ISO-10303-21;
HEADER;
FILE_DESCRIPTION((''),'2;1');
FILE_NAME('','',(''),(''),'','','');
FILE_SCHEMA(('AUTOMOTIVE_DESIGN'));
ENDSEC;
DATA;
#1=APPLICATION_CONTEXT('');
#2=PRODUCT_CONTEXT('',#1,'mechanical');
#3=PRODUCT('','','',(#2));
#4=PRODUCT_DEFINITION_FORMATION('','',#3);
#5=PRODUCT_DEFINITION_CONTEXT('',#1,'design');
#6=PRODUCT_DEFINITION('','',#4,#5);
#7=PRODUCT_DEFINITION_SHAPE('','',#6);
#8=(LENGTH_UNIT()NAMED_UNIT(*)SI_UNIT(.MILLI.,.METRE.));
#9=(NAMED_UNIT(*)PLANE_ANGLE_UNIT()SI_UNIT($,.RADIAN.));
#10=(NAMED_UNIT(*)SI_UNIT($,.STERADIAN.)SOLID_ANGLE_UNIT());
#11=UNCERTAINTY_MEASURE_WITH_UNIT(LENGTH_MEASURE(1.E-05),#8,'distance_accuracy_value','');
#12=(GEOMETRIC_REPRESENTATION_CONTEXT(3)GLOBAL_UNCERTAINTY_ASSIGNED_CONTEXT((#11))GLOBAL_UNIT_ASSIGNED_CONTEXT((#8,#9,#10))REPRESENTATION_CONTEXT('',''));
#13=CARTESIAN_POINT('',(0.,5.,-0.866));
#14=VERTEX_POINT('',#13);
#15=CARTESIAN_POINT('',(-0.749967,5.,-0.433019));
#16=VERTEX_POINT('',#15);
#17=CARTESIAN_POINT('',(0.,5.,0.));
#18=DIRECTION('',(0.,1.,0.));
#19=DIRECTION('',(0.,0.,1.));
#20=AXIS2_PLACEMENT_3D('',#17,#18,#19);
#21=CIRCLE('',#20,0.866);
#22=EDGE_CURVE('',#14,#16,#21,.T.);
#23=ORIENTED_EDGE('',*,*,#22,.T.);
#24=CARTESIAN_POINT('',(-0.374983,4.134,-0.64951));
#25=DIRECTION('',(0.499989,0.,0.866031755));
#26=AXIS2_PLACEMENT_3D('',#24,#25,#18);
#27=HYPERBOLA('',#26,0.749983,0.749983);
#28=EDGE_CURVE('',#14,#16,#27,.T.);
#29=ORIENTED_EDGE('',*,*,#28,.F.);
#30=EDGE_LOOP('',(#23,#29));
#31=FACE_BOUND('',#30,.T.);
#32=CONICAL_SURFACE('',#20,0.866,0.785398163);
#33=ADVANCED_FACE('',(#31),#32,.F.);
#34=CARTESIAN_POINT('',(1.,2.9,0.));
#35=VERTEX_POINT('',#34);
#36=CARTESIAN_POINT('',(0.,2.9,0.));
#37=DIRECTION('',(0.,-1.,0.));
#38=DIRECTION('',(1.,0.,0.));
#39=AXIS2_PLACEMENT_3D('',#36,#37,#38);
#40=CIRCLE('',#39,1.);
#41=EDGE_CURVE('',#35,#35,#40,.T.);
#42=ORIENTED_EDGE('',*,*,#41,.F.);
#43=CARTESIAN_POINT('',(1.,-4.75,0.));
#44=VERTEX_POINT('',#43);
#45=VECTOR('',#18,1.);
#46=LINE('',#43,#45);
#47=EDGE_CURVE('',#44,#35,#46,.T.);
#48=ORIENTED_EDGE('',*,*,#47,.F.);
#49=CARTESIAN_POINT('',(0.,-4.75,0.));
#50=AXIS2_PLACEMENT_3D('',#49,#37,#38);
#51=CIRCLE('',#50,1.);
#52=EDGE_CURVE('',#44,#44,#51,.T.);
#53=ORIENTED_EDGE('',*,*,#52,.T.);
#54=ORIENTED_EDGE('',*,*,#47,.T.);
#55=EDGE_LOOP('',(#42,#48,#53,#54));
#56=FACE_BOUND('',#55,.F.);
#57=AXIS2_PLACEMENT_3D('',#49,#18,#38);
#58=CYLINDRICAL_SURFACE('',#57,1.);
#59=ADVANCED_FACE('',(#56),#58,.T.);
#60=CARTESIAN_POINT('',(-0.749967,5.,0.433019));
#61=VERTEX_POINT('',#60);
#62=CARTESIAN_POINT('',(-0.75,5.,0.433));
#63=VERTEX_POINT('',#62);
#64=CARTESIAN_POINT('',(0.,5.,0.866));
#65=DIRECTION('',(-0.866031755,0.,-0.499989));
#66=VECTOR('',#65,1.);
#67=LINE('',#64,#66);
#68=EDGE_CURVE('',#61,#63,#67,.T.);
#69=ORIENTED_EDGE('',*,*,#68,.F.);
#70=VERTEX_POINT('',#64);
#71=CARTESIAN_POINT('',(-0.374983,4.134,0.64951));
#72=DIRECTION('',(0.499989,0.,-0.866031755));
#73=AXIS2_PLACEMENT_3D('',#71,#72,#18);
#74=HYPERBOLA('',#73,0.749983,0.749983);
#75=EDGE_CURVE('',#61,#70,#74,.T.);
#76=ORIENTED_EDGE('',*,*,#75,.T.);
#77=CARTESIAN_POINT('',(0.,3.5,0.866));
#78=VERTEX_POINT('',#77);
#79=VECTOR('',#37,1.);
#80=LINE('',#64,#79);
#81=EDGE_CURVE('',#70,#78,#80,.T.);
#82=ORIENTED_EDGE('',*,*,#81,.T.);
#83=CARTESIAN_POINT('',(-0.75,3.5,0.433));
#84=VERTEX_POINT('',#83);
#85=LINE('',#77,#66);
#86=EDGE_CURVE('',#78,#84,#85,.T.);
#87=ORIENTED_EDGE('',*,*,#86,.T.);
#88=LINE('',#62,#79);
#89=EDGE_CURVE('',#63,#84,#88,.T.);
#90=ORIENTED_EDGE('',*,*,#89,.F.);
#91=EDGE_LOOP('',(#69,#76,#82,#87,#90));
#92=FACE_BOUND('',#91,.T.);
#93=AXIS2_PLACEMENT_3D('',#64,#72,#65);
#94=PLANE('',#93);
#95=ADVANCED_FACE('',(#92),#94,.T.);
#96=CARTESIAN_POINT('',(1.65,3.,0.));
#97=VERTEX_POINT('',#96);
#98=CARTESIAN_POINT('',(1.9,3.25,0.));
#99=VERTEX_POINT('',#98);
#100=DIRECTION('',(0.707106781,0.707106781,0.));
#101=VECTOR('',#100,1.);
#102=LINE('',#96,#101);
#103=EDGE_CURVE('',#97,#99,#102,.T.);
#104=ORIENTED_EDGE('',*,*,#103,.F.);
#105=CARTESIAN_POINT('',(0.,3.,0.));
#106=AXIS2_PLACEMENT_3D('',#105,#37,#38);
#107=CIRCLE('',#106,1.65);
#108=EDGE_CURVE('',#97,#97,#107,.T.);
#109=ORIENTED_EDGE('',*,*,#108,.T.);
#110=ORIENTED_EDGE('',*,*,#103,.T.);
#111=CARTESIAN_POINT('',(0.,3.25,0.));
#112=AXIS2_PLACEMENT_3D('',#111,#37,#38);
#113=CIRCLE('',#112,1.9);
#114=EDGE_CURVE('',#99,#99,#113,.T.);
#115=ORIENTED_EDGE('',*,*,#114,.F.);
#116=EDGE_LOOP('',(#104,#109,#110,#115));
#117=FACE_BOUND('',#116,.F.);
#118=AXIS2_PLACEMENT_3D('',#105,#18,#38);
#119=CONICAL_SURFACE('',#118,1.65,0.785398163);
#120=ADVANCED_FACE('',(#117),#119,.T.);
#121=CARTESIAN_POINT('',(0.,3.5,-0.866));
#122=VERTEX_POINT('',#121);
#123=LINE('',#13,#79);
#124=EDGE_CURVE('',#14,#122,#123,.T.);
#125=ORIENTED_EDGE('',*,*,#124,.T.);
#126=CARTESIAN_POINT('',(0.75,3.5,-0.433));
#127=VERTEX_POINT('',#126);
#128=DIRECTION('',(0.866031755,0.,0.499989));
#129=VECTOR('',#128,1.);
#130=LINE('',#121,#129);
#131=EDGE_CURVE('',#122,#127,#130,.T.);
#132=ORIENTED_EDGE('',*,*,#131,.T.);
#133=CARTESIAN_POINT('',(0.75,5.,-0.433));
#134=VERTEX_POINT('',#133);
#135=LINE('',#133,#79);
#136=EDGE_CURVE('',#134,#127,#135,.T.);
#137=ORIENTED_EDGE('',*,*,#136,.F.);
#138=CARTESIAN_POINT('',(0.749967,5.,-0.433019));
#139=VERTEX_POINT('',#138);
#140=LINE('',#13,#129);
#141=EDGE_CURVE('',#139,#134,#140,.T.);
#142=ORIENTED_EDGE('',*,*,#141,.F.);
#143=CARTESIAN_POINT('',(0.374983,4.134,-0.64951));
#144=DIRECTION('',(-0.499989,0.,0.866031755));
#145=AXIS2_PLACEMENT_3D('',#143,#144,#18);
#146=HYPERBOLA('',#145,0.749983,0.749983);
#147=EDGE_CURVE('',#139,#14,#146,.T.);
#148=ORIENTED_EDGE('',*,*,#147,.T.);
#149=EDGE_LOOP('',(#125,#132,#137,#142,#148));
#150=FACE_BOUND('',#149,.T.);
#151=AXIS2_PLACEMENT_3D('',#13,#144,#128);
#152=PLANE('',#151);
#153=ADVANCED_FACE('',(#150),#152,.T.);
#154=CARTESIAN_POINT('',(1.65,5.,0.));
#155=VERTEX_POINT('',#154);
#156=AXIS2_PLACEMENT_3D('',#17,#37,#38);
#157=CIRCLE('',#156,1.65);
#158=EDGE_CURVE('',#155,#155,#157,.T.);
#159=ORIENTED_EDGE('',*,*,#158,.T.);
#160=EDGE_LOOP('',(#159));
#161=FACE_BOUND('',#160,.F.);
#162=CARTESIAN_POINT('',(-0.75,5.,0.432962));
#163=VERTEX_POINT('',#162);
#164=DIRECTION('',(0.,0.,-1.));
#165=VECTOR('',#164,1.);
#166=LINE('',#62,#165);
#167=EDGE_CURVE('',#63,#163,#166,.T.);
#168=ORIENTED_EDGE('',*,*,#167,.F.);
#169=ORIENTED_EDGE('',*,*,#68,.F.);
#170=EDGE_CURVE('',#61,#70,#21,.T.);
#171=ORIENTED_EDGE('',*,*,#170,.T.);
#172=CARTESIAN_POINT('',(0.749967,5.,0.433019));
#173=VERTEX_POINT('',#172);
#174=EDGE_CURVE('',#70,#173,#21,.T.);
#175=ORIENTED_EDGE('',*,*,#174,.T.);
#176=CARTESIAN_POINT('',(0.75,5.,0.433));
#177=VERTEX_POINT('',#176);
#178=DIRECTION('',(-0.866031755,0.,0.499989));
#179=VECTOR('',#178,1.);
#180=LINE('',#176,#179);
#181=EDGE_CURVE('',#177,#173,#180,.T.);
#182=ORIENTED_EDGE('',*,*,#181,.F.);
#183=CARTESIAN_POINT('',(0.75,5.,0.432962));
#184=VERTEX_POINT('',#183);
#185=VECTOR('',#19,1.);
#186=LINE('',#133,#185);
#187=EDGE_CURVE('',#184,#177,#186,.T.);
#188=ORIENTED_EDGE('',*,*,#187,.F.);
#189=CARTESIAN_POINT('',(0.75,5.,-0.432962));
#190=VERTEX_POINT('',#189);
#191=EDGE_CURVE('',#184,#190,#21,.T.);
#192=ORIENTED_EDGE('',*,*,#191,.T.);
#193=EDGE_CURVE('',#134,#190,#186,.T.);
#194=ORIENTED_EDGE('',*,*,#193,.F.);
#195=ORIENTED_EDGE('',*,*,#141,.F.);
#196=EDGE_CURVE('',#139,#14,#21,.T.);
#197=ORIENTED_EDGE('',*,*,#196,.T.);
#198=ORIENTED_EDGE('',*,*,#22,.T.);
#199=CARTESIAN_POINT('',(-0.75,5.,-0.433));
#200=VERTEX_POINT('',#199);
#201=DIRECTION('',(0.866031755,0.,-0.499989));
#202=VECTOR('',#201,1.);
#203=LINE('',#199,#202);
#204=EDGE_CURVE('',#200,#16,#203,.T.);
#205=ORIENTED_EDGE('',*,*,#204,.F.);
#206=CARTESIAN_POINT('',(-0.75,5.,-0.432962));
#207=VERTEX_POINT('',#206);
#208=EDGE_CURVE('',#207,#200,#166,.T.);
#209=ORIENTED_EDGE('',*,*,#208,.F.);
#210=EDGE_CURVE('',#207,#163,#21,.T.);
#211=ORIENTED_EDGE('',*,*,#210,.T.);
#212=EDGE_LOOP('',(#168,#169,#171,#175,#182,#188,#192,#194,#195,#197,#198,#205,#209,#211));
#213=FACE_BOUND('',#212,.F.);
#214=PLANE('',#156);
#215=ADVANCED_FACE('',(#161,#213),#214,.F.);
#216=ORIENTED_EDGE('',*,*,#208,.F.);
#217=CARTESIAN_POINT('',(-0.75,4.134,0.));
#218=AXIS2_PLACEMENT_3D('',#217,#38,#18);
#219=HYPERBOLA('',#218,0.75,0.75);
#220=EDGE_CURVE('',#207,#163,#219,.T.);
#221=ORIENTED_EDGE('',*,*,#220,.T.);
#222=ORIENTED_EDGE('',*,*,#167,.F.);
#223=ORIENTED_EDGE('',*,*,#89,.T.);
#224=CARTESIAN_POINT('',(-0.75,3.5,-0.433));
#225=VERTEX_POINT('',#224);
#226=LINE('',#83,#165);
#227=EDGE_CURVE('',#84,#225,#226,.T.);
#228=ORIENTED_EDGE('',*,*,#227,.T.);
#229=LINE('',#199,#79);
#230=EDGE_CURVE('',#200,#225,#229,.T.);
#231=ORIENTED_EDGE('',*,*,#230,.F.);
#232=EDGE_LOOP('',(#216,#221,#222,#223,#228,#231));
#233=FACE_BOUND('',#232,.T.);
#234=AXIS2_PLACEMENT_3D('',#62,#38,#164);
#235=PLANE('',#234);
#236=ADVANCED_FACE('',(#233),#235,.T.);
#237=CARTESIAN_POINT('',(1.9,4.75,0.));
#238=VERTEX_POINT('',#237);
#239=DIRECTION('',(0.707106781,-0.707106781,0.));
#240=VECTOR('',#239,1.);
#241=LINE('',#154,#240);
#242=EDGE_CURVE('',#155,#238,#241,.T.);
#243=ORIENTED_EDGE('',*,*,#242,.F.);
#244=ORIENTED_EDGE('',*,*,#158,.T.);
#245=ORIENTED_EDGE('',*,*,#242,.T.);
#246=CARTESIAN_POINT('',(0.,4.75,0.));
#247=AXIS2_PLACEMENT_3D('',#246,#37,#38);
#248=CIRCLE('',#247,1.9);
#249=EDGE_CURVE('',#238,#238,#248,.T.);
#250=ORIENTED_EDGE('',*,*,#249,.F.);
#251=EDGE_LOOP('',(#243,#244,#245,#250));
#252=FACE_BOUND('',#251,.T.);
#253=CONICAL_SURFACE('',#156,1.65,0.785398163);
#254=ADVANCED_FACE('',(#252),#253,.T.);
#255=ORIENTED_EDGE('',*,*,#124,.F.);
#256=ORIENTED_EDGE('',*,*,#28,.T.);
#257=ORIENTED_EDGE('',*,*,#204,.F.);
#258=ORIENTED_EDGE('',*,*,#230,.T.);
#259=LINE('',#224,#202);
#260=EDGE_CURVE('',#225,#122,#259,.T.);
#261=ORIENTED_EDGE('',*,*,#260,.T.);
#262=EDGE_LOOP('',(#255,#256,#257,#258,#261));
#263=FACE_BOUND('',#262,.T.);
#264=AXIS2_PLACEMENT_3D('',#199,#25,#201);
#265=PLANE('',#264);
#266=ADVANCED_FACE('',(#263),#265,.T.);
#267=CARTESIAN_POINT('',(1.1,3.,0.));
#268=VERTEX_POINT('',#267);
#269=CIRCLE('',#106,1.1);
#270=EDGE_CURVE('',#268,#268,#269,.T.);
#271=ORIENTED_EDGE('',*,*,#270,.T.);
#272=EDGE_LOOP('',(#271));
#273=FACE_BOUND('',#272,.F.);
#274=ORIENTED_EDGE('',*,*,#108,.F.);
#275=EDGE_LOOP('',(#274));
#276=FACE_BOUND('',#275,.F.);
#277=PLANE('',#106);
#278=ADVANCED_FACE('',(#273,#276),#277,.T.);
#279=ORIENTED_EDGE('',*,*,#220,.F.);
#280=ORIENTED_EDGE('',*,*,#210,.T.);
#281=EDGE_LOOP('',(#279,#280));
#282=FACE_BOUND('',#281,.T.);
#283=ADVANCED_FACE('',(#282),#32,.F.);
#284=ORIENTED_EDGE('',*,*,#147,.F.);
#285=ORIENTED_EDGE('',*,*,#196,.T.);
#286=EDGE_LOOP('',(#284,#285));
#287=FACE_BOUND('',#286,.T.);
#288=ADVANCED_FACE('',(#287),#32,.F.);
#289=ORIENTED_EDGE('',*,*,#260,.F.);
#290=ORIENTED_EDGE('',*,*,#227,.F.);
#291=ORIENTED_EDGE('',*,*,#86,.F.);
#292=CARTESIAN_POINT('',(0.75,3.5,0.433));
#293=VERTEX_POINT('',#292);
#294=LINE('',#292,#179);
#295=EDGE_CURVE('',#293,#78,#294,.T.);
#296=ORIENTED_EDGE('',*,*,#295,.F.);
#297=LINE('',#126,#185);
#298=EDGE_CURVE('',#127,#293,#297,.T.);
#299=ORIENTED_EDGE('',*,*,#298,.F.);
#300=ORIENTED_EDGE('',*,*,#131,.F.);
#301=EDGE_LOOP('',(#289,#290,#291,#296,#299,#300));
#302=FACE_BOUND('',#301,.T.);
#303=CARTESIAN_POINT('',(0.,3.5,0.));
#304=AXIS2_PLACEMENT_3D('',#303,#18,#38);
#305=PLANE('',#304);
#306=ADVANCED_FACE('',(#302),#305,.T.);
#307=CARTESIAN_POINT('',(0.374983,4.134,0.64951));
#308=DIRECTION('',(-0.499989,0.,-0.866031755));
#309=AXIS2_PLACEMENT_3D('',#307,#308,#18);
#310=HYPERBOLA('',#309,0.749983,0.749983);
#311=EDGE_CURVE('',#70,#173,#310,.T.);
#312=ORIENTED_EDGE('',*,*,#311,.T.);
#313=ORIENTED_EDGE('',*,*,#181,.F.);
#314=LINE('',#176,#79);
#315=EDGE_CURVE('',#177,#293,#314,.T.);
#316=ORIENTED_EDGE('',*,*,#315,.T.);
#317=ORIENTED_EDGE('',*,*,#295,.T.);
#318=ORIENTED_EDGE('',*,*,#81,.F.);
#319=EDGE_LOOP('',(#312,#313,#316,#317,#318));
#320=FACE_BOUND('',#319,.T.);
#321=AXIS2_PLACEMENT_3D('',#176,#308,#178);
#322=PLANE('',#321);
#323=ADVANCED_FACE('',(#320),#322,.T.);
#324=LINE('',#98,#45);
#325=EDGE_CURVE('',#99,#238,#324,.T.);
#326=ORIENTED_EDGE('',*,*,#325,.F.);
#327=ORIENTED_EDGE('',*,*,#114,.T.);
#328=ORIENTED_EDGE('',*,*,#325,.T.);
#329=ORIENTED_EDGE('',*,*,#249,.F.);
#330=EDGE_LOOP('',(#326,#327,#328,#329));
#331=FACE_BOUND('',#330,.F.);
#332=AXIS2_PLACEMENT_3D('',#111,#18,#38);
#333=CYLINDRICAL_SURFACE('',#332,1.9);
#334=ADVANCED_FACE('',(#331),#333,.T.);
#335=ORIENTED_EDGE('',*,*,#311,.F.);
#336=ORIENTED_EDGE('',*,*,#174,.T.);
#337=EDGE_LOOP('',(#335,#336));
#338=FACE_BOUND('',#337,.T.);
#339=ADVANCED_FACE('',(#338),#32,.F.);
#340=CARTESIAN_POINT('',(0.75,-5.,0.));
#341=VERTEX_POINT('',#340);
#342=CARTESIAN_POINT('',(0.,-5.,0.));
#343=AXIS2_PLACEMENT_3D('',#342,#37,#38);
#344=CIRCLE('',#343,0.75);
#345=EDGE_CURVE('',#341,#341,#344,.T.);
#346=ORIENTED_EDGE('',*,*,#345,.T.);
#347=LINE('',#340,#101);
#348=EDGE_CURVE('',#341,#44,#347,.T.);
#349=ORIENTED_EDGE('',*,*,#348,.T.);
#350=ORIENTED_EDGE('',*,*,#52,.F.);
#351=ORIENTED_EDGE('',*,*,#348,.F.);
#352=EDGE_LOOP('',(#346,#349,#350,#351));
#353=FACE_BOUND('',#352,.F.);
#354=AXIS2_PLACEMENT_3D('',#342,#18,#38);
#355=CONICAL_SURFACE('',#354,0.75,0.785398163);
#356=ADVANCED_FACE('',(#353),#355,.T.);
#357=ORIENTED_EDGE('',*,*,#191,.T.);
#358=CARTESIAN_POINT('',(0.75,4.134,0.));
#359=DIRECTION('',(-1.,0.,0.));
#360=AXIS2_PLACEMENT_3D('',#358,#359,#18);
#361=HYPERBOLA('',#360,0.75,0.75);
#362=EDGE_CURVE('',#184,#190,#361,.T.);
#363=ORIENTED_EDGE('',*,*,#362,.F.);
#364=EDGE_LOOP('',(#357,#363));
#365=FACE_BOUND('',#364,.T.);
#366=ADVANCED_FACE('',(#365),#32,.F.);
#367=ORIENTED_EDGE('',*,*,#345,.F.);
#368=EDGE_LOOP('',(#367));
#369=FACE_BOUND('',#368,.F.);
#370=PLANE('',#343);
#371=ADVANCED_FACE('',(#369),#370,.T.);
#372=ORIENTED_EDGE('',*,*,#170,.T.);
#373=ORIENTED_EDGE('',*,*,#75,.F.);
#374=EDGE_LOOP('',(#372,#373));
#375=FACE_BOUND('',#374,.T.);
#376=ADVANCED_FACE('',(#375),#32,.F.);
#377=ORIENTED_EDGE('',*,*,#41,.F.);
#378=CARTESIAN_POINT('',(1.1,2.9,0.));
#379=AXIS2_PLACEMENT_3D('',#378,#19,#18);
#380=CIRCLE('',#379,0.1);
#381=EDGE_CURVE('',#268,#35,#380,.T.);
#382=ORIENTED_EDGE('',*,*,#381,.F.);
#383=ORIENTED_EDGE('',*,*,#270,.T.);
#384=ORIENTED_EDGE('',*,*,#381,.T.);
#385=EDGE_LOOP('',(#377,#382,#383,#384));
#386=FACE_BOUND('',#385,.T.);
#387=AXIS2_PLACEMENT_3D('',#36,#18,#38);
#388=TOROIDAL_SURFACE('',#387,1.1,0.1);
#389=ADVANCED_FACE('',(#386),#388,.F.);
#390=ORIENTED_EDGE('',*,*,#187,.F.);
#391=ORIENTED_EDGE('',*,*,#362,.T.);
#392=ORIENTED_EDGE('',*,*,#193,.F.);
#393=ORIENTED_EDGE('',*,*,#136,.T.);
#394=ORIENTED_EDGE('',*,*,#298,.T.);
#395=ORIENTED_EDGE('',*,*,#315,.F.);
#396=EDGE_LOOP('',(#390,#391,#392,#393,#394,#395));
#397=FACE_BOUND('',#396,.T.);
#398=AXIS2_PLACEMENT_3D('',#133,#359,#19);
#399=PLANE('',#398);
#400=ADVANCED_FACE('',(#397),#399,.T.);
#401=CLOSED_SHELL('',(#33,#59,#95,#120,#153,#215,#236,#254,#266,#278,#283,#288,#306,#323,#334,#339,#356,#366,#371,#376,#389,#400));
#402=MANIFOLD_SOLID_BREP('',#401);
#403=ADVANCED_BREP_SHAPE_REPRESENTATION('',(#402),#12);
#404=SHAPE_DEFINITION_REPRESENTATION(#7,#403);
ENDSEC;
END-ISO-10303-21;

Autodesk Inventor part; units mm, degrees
ref_plane "YZ Plane" through (0, 0, 0) normal (1, 0, 0) x (0, 1, 0)
ref_plane "XZ Plane" through (0, 0, 0) normal (0, 1, 0) x (-1, 0, 0)
ref_plane "XY Plane" through (0, 0, 0) normal (0, 0, 1) x (1, 0, 0)
sketch "Sketch1" plane through (0, 0, 0) normal (0, 0, 1) x (1, 0, 0)
  line L0 (0, 5) -> (0, -5)
  line L1 (0, -5) -> (0.75, -5)
  line L2 (0.75, -5) -> (1, -4.75)
  line L3 (1, -4.75) -> (1, 2.9)
  line L4 (1.1, 3) -> (1.65, 3)
  line L5 (1.9, 3.25) -> (1.9, 4.75)
  line L6 (1.65, 5) -> (0, 5)
  arc A0 (1.1, 3) -> (1, 2.9) centre (1.1, 2.9) ccw
  line L7 (1.65, 5) -> (1.9, 4.75)
  line L8 (1.65, 3) -> (1.9, 3.25)
  point P0 (0, 0)
  point P1 (1.9, 3)
  point P2 (1.9, 5)
  point P3 (0, 0)
  dimension "d0" = 3.8
  dimension "d1" = 2
  dimension "d3" = 2
  dimension "d4" = 2.2
  dimension "d5" = 135
  dimension "d6" = 0.25
  dimension "d7" = 8
  dimension "d18" = 0.25
revolve "Revolution1" add sketch "Sketch1" angle 360 about axis through (0, 5, 0) along (0, -1, 0)
sketch "Sketch2" plane through (0, 5, 0) normal (0, 1, 0) x (1, 0, 0)
  line L0 (0, -0.866) -> (-0.75, -0.433)
  line L1 (-0.75, -0.433) -> (-0.75, 0.433)
  line L2 (-0.75, 0.433) -> (0, 0.866)
  line L3 (0, 0.866) -> (0.75, 0.433)
  line L4 (0.75, 0.433) -> (0.75, -0.433)
  line L5 (0.75, -0.433) -> (0, -0.866)
  point P0 (0, 0)
  point P1 (0, 0)
  dimension "d11" = 1.5
extrude "Extrusion1" cut sketch "Sketch2" against normal blind 1.5
thread "Thread1" size "M2x0.4" class "6g" standard "ANSI Metric M Profile" full length
sketch "Sketch3" plane through (0, 0, 0) normal (1, 0, 0) x (0, 1, 0)
  line L0 (5, 0.866) -> (5, 0.433) projected
  line L1 (5, 0.866) -> (4.5, 0.366)
  line L2 (4.5, 0.366) -> (5, 0.366)
  line L3 (5, 0.366) -> (5, 0.866)
  line L4 (-1, 0) -> (6, 0) projected
  point P0 (0, 0)
  dimension "d16" = 0.5
revolve "Revolution2" cut sketch "Sketch3" angle 360 about axis through (0, -10, 0) along (0, 1, 0)
properties part number "Bolt_M2x0.4_8mm_SH" material "Stainless Steel"
